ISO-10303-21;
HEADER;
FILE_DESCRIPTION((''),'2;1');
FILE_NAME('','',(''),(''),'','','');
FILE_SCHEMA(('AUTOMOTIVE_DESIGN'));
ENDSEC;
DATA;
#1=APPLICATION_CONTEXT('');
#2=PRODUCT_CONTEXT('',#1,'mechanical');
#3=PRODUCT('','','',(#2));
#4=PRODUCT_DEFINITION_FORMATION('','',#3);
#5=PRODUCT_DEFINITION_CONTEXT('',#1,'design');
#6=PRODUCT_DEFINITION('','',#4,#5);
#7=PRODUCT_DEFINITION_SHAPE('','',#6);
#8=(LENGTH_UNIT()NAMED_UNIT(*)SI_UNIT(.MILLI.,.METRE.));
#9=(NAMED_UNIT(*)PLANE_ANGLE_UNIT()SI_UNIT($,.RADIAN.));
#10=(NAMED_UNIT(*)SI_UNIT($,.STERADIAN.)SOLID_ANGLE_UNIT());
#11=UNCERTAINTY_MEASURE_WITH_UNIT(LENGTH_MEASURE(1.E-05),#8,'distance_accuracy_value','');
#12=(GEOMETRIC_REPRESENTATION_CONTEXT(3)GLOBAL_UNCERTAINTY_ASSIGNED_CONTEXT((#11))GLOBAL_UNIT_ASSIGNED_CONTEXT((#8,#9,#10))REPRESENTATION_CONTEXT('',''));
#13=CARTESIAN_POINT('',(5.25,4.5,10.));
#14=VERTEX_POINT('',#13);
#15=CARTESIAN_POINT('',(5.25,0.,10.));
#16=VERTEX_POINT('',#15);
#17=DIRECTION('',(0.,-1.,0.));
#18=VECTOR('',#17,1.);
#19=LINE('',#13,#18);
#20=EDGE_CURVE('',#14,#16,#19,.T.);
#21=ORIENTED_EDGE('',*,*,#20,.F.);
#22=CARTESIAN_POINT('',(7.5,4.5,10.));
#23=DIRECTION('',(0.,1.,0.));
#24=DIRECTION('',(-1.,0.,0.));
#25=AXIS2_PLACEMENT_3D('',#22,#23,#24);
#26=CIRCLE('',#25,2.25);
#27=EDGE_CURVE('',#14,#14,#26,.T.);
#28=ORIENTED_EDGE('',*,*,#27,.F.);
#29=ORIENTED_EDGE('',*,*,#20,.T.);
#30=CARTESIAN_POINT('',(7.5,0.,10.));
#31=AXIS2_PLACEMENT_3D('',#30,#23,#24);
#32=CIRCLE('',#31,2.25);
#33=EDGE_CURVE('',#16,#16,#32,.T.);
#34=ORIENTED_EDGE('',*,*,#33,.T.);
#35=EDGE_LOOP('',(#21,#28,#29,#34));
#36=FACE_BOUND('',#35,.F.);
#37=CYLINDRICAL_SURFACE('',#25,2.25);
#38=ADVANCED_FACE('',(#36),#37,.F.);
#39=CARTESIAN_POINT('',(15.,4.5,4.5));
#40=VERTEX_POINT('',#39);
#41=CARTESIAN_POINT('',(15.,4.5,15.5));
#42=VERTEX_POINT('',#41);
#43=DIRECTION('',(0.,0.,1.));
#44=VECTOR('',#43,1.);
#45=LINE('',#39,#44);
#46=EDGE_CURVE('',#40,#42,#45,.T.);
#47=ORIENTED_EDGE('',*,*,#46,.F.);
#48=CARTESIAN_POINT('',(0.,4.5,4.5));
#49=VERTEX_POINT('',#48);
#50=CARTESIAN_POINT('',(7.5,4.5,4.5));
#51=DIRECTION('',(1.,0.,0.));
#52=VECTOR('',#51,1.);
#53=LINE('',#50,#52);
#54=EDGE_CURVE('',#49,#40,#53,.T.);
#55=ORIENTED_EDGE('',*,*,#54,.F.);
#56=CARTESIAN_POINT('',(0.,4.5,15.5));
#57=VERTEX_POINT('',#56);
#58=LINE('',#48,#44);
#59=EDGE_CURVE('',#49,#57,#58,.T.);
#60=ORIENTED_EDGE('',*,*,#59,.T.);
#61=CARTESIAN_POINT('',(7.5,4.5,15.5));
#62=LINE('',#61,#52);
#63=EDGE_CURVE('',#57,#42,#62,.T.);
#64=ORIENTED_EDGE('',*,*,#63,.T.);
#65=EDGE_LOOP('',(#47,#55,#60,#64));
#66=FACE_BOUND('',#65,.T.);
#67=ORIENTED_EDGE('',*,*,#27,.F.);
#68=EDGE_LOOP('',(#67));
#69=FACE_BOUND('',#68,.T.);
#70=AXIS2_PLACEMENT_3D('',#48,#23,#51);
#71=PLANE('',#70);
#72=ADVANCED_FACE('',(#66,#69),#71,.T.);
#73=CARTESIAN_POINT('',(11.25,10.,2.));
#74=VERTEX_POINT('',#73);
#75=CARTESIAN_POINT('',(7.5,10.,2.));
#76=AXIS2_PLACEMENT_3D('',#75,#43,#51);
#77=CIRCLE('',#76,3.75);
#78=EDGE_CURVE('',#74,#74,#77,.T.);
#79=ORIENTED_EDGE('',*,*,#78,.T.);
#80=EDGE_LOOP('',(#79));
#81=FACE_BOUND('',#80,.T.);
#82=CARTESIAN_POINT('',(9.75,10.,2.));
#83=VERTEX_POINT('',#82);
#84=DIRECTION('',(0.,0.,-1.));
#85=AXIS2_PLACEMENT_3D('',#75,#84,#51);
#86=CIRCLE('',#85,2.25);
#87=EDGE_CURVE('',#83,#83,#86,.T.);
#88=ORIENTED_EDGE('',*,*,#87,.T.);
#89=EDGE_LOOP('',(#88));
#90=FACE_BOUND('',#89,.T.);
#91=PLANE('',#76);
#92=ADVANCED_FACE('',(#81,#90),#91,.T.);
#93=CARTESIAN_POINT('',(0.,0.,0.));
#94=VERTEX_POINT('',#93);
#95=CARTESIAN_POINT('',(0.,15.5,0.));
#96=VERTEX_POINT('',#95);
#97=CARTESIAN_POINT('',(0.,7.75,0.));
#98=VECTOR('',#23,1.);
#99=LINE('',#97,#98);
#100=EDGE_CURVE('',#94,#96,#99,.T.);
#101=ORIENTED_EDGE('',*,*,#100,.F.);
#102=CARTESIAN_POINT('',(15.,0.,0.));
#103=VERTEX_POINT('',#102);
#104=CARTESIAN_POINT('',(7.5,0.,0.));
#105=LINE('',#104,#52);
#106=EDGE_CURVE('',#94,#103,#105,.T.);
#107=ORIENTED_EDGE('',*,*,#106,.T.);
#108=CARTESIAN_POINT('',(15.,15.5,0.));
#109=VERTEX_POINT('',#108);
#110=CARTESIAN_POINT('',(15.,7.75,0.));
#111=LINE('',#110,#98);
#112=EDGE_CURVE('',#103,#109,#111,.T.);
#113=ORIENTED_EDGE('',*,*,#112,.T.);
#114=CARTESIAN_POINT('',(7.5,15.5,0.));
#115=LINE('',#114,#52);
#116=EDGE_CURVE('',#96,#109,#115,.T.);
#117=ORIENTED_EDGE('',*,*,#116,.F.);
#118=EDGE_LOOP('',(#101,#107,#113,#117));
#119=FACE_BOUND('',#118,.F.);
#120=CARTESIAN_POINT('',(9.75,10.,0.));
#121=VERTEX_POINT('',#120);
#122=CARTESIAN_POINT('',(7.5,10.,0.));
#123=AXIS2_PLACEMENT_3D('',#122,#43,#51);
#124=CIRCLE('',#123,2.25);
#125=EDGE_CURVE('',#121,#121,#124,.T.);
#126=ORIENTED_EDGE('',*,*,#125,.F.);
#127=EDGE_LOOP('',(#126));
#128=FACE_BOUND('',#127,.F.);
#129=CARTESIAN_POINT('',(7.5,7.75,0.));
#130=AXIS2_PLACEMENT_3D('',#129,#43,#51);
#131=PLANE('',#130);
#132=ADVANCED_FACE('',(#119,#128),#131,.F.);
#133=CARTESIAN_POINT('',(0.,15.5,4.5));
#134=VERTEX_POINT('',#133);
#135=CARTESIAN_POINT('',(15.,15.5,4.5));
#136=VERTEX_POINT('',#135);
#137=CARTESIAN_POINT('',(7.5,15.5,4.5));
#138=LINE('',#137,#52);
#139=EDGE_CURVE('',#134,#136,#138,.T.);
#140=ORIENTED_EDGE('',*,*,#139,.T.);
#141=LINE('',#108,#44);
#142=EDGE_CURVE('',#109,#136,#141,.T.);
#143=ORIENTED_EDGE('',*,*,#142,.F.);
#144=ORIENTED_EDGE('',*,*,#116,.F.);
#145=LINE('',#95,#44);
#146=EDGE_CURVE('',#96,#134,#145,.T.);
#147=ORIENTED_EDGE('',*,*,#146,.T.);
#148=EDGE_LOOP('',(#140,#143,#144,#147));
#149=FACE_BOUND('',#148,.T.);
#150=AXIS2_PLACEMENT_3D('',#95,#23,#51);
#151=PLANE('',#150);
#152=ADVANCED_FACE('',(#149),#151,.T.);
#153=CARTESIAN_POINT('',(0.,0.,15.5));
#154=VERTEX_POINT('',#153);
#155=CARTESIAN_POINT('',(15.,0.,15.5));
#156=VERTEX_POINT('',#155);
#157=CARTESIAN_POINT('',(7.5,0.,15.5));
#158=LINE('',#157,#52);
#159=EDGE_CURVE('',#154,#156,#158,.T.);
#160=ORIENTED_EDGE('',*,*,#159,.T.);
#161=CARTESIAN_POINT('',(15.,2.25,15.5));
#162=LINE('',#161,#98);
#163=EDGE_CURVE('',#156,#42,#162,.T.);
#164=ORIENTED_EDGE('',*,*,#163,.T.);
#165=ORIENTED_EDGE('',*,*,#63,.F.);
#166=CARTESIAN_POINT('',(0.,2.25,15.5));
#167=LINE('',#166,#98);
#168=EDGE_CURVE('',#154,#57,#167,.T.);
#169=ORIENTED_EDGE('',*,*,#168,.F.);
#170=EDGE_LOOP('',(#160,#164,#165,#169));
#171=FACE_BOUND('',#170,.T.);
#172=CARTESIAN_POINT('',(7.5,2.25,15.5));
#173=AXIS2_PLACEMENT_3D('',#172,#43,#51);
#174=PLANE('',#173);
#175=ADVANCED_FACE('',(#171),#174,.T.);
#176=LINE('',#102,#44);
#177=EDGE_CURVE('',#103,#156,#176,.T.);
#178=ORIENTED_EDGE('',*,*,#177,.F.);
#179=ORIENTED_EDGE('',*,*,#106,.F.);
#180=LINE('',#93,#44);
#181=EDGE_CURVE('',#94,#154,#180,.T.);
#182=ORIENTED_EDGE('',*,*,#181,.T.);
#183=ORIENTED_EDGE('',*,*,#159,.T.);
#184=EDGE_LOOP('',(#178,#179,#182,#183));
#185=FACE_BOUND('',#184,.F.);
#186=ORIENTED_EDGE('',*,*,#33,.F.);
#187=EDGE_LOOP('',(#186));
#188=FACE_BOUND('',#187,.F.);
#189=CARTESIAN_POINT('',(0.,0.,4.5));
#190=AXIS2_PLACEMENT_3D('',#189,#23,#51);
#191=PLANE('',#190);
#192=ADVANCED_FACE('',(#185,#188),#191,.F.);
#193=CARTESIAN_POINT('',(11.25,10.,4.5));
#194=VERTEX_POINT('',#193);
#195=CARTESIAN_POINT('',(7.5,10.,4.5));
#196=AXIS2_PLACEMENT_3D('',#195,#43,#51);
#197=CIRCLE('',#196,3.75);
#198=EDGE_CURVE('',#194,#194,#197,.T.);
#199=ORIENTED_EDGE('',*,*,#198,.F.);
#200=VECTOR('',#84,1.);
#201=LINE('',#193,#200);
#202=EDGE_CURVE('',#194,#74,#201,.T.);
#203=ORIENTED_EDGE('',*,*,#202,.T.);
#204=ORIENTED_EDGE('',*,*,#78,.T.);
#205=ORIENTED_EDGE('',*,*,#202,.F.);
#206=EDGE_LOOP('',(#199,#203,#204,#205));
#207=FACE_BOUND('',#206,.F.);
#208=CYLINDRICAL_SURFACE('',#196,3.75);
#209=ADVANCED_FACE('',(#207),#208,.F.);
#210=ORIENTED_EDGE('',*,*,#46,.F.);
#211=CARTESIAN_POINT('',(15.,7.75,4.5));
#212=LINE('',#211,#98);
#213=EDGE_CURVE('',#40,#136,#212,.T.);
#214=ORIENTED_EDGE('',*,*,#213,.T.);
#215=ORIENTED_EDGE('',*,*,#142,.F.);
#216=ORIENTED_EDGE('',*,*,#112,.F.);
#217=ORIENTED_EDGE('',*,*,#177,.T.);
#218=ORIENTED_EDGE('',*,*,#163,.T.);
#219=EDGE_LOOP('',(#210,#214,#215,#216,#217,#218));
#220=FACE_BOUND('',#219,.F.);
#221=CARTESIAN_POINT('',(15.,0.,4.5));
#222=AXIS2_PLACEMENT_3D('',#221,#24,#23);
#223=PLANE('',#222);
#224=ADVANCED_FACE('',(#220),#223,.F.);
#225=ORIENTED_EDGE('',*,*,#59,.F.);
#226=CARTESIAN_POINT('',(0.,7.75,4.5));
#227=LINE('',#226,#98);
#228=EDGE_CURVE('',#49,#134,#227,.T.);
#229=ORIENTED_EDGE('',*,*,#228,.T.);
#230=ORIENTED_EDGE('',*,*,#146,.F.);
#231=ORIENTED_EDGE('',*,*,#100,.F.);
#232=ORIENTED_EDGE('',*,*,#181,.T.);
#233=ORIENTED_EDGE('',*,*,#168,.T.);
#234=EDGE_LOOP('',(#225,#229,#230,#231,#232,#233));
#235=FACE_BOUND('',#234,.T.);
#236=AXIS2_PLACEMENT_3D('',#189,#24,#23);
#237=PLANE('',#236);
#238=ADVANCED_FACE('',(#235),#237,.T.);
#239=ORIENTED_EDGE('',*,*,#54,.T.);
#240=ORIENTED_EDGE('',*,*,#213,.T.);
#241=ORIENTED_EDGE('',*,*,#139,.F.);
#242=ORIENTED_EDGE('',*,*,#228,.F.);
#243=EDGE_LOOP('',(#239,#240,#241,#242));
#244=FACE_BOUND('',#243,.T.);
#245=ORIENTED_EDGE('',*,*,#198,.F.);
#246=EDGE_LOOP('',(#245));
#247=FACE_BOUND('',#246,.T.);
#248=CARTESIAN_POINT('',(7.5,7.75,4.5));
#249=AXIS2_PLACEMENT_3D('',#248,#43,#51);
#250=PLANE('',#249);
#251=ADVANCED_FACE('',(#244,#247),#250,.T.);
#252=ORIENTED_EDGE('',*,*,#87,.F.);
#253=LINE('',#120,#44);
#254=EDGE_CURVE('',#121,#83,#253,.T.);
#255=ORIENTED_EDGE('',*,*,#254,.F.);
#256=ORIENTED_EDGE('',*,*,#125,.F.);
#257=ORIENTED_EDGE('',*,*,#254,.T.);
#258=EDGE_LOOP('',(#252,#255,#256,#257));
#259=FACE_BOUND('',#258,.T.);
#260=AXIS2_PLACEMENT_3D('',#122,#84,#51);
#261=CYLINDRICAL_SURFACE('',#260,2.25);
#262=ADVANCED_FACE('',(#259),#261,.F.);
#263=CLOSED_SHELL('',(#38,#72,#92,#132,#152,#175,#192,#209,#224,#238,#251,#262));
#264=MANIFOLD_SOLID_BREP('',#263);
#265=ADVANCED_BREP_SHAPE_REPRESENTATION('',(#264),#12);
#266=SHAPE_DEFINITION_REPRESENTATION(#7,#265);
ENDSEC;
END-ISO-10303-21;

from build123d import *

# Parameters (mm, degrees)
SKETCH_W        = 15
SKETCH_H        = 15.5
SKETCH_R        = 2.25
PAD_DEPTH       = 4.5
SKETCH001_R     = 3.75
POCKET_DEPTH    = 2.5
SKETCH002_W     = 15
SKETCH002_H     = 4.5
PAD001_DEPTH    = 11
SKETCH003_R     = 2.25
POCKET001_DEPTH = 6.5


with BuildPart() as part:
    # Sketch → Pad (new body)
    with BuildSketch(Plane.XY):
        with Locations((7.5, 7.75)):
            Rectangle(SKETCH_W, SKETCH_H)
        with Locations((7.5, 10)):
            Circle(SKETCH_R, mode=Mode.SUBTRACT)
    extrude(amount=PAD_DEPTH)

    # Sketch001 (on Face7 of Pad) → Pocket (cut)
    with BuildSketch(Plane.XY.offset(4.5)):
        with Locations((7.5, 10)):
            Circle(SKETCH001_R)
    extrude(amount=-POCKET_DEPTH, mode=Mode.SUBTRACT)

    # Sketch002 (on Face5 of Pocket) → Pad001 (join)
    with BuildSketch(Plane.XY.offset(4.5)):
        with Locations((7.5, 2.25)):
            Rectangle(SKETCH002_W, SKETCH002_H)
    extrude(amount=PAD001_DEPTH)

    # Sketch003 (on Face5 of Pad001) → Pocket001 (cut)
    with BuildSketch(Plane(origin=(0, 4.5, 0), x_dir=(-1, 0, 0), z_dir=(0, 1, 0))):
        with Locations((-7.5, 10)):
            Circle(SKETCH003_R)
    extrude(amount=-POCKET001_DEPTH, mode=Mode.SUBTRACT)


solid = part.part
